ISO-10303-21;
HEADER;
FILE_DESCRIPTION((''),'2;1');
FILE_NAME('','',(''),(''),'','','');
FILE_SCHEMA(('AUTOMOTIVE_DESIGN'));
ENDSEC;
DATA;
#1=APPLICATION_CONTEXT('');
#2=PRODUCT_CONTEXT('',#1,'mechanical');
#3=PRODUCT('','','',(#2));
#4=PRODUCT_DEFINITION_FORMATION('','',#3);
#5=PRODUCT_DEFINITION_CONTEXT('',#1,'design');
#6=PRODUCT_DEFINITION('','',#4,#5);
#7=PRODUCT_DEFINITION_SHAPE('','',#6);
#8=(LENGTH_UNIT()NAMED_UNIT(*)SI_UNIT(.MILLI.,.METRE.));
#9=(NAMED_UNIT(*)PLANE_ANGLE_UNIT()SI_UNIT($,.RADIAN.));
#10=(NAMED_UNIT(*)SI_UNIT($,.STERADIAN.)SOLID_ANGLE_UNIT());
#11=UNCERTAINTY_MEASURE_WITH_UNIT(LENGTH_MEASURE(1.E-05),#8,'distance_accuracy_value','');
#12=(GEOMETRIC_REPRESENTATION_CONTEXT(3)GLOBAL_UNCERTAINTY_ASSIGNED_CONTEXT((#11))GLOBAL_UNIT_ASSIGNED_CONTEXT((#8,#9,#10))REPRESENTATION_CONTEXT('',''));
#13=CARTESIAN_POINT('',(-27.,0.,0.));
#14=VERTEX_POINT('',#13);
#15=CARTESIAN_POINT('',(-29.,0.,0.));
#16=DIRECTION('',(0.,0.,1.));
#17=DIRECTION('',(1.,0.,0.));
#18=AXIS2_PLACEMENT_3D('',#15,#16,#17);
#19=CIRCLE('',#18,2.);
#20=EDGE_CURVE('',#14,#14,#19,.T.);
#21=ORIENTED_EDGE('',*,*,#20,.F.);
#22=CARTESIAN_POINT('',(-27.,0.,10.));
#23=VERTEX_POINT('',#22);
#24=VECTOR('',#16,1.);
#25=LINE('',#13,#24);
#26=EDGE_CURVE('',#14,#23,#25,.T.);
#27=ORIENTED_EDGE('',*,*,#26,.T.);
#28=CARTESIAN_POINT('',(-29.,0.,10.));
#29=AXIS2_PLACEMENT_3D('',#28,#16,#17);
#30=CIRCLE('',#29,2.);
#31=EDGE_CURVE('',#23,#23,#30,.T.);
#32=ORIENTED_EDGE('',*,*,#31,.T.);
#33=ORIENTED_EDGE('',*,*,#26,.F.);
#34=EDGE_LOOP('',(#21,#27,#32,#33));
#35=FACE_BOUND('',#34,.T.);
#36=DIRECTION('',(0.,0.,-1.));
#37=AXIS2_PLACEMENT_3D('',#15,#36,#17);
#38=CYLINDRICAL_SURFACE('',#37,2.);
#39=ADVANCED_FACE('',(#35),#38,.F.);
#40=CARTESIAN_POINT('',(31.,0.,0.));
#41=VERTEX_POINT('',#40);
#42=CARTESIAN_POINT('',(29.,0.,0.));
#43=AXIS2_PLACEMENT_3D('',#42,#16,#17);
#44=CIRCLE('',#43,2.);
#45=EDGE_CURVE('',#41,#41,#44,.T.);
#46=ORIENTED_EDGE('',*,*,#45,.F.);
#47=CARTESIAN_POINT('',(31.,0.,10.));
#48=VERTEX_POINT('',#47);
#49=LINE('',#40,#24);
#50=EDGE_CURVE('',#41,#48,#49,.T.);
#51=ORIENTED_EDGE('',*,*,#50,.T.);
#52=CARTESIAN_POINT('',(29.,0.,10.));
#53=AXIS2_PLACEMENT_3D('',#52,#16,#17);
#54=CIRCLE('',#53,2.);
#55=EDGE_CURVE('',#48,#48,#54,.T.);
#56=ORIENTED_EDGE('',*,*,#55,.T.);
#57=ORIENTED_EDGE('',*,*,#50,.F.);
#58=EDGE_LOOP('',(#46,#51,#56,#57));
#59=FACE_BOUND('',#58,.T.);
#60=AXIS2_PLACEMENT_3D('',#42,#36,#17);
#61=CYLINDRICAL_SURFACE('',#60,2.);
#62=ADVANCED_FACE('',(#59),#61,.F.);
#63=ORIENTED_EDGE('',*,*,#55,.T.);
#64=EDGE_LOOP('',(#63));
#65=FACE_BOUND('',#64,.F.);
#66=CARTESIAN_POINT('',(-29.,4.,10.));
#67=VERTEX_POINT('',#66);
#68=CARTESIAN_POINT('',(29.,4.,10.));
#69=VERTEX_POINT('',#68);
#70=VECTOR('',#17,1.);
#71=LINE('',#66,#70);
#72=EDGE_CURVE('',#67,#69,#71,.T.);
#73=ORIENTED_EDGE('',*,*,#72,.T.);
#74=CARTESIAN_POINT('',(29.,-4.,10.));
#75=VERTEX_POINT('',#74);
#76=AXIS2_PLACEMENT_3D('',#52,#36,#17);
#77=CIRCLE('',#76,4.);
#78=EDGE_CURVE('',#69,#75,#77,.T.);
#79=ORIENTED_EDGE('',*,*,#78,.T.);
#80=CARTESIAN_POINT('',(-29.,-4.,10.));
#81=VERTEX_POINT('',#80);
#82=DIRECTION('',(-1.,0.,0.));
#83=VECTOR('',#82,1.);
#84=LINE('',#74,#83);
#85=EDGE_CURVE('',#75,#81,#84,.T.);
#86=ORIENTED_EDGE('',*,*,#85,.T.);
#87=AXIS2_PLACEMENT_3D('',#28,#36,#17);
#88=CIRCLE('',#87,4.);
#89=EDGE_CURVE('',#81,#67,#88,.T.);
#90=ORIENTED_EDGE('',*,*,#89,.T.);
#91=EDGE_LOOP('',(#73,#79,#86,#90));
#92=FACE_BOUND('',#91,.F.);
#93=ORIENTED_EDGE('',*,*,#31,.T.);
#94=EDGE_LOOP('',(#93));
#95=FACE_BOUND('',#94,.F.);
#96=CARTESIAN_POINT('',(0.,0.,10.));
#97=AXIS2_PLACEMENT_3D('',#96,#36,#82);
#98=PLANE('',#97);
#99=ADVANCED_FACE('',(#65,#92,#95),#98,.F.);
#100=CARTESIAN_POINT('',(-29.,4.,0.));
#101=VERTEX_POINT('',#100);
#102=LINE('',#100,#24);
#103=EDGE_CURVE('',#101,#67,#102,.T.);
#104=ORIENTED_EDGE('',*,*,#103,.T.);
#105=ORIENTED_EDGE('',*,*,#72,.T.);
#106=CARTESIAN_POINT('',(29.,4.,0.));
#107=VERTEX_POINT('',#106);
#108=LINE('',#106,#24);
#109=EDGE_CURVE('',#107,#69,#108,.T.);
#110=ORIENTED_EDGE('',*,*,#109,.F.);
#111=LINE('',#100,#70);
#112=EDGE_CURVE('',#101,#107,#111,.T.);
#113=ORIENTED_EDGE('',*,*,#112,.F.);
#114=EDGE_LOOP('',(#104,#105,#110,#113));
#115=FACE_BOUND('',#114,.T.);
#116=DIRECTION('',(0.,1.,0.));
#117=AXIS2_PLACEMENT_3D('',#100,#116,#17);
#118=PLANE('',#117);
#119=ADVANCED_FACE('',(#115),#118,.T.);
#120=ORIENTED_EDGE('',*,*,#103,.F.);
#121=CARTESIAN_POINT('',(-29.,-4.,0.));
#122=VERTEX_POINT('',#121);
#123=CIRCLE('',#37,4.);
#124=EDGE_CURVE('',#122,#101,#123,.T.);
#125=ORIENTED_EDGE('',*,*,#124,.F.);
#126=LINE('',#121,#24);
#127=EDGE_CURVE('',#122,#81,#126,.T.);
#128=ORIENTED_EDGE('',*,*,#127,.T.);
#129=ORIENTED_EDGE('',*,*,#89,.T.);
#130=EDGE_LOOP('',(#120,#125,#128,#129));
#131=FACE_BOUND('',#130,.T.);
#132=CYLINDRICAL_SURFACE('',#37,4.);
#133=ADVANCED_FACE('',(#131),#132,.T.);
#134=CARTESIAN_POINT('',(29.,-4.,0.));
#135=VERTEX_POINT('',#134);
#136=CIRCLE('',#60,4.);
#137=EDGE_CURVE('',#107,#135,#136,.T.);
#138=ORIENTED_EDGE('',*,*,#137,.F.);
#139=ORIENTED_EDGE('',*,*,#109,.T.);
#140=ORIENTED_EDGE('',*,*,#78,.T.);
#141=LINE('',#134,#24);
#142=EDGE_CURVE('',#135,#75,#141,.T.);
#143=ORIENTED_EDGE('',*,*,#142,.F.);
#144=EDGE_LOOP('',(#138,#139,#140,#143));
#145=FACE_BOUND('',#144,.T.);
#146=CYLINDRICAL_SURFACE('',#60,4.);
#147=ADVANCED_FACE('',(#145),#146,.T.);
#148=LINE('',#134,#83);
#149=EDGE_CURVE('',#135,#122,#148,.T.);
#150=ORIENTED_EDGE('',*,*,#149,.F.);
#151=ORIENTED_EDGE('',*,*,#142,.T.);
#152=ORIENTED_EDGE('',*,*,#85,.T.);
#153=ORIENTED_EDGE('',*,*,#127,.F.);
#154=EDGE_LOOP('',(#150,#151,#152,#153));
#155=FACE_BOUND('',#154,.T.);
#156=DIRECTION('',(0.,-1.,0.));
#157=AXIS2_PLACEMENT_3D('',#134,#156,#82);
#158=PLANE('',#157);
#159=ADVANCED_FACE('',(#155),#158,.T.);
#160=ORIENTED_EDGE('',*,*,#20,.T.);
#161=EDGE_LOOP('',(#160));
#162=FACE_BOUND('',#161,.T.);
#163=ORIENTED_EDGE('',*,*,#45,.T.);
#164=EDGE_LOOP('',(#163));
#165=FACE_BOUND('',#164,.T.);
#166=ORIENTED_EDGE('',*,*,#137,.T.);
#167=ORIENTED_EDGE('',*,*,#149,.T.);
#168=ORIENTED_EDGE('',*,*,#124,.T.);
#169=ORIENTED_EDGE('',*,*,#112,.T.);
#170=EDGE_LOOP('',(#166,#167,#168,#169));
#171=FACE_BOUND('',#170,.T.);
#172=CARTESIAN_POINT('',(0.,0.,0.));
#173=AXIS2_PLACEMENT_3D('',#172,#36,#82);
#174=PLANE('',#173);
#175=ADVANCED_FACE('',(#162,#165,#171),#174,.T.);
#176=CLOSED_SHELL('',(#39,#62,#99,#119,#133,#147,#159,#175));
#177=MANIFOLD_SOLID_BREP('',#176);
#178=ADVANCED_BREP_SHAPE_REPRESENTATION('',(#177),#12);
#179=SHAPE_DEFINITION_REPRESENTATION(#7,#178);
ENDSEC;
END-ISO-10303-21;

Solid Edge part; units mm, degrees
sketch "Sketch1" plane through (0, 0, 0) normal (0, 0, 1) x (1, 0, 0)
  circle A0 centre (-29, 0) radius 2
  circle A1 centre (29, 0) radius 2
  line L0 (-29, 4) -> (29, 4)
  line L1 (29, -4) -> (-29, -4)
  arc A2 (-29, -4) -> (-29, 4) centre (-29, 0) cw
  arc A3 (29, 4) -> (29, -4) centre (29, 0) cw
extrude "Protrusion1" add sketch "Sketch1" along normal blind 10
properties part number "24" material "Polykarbonat"
